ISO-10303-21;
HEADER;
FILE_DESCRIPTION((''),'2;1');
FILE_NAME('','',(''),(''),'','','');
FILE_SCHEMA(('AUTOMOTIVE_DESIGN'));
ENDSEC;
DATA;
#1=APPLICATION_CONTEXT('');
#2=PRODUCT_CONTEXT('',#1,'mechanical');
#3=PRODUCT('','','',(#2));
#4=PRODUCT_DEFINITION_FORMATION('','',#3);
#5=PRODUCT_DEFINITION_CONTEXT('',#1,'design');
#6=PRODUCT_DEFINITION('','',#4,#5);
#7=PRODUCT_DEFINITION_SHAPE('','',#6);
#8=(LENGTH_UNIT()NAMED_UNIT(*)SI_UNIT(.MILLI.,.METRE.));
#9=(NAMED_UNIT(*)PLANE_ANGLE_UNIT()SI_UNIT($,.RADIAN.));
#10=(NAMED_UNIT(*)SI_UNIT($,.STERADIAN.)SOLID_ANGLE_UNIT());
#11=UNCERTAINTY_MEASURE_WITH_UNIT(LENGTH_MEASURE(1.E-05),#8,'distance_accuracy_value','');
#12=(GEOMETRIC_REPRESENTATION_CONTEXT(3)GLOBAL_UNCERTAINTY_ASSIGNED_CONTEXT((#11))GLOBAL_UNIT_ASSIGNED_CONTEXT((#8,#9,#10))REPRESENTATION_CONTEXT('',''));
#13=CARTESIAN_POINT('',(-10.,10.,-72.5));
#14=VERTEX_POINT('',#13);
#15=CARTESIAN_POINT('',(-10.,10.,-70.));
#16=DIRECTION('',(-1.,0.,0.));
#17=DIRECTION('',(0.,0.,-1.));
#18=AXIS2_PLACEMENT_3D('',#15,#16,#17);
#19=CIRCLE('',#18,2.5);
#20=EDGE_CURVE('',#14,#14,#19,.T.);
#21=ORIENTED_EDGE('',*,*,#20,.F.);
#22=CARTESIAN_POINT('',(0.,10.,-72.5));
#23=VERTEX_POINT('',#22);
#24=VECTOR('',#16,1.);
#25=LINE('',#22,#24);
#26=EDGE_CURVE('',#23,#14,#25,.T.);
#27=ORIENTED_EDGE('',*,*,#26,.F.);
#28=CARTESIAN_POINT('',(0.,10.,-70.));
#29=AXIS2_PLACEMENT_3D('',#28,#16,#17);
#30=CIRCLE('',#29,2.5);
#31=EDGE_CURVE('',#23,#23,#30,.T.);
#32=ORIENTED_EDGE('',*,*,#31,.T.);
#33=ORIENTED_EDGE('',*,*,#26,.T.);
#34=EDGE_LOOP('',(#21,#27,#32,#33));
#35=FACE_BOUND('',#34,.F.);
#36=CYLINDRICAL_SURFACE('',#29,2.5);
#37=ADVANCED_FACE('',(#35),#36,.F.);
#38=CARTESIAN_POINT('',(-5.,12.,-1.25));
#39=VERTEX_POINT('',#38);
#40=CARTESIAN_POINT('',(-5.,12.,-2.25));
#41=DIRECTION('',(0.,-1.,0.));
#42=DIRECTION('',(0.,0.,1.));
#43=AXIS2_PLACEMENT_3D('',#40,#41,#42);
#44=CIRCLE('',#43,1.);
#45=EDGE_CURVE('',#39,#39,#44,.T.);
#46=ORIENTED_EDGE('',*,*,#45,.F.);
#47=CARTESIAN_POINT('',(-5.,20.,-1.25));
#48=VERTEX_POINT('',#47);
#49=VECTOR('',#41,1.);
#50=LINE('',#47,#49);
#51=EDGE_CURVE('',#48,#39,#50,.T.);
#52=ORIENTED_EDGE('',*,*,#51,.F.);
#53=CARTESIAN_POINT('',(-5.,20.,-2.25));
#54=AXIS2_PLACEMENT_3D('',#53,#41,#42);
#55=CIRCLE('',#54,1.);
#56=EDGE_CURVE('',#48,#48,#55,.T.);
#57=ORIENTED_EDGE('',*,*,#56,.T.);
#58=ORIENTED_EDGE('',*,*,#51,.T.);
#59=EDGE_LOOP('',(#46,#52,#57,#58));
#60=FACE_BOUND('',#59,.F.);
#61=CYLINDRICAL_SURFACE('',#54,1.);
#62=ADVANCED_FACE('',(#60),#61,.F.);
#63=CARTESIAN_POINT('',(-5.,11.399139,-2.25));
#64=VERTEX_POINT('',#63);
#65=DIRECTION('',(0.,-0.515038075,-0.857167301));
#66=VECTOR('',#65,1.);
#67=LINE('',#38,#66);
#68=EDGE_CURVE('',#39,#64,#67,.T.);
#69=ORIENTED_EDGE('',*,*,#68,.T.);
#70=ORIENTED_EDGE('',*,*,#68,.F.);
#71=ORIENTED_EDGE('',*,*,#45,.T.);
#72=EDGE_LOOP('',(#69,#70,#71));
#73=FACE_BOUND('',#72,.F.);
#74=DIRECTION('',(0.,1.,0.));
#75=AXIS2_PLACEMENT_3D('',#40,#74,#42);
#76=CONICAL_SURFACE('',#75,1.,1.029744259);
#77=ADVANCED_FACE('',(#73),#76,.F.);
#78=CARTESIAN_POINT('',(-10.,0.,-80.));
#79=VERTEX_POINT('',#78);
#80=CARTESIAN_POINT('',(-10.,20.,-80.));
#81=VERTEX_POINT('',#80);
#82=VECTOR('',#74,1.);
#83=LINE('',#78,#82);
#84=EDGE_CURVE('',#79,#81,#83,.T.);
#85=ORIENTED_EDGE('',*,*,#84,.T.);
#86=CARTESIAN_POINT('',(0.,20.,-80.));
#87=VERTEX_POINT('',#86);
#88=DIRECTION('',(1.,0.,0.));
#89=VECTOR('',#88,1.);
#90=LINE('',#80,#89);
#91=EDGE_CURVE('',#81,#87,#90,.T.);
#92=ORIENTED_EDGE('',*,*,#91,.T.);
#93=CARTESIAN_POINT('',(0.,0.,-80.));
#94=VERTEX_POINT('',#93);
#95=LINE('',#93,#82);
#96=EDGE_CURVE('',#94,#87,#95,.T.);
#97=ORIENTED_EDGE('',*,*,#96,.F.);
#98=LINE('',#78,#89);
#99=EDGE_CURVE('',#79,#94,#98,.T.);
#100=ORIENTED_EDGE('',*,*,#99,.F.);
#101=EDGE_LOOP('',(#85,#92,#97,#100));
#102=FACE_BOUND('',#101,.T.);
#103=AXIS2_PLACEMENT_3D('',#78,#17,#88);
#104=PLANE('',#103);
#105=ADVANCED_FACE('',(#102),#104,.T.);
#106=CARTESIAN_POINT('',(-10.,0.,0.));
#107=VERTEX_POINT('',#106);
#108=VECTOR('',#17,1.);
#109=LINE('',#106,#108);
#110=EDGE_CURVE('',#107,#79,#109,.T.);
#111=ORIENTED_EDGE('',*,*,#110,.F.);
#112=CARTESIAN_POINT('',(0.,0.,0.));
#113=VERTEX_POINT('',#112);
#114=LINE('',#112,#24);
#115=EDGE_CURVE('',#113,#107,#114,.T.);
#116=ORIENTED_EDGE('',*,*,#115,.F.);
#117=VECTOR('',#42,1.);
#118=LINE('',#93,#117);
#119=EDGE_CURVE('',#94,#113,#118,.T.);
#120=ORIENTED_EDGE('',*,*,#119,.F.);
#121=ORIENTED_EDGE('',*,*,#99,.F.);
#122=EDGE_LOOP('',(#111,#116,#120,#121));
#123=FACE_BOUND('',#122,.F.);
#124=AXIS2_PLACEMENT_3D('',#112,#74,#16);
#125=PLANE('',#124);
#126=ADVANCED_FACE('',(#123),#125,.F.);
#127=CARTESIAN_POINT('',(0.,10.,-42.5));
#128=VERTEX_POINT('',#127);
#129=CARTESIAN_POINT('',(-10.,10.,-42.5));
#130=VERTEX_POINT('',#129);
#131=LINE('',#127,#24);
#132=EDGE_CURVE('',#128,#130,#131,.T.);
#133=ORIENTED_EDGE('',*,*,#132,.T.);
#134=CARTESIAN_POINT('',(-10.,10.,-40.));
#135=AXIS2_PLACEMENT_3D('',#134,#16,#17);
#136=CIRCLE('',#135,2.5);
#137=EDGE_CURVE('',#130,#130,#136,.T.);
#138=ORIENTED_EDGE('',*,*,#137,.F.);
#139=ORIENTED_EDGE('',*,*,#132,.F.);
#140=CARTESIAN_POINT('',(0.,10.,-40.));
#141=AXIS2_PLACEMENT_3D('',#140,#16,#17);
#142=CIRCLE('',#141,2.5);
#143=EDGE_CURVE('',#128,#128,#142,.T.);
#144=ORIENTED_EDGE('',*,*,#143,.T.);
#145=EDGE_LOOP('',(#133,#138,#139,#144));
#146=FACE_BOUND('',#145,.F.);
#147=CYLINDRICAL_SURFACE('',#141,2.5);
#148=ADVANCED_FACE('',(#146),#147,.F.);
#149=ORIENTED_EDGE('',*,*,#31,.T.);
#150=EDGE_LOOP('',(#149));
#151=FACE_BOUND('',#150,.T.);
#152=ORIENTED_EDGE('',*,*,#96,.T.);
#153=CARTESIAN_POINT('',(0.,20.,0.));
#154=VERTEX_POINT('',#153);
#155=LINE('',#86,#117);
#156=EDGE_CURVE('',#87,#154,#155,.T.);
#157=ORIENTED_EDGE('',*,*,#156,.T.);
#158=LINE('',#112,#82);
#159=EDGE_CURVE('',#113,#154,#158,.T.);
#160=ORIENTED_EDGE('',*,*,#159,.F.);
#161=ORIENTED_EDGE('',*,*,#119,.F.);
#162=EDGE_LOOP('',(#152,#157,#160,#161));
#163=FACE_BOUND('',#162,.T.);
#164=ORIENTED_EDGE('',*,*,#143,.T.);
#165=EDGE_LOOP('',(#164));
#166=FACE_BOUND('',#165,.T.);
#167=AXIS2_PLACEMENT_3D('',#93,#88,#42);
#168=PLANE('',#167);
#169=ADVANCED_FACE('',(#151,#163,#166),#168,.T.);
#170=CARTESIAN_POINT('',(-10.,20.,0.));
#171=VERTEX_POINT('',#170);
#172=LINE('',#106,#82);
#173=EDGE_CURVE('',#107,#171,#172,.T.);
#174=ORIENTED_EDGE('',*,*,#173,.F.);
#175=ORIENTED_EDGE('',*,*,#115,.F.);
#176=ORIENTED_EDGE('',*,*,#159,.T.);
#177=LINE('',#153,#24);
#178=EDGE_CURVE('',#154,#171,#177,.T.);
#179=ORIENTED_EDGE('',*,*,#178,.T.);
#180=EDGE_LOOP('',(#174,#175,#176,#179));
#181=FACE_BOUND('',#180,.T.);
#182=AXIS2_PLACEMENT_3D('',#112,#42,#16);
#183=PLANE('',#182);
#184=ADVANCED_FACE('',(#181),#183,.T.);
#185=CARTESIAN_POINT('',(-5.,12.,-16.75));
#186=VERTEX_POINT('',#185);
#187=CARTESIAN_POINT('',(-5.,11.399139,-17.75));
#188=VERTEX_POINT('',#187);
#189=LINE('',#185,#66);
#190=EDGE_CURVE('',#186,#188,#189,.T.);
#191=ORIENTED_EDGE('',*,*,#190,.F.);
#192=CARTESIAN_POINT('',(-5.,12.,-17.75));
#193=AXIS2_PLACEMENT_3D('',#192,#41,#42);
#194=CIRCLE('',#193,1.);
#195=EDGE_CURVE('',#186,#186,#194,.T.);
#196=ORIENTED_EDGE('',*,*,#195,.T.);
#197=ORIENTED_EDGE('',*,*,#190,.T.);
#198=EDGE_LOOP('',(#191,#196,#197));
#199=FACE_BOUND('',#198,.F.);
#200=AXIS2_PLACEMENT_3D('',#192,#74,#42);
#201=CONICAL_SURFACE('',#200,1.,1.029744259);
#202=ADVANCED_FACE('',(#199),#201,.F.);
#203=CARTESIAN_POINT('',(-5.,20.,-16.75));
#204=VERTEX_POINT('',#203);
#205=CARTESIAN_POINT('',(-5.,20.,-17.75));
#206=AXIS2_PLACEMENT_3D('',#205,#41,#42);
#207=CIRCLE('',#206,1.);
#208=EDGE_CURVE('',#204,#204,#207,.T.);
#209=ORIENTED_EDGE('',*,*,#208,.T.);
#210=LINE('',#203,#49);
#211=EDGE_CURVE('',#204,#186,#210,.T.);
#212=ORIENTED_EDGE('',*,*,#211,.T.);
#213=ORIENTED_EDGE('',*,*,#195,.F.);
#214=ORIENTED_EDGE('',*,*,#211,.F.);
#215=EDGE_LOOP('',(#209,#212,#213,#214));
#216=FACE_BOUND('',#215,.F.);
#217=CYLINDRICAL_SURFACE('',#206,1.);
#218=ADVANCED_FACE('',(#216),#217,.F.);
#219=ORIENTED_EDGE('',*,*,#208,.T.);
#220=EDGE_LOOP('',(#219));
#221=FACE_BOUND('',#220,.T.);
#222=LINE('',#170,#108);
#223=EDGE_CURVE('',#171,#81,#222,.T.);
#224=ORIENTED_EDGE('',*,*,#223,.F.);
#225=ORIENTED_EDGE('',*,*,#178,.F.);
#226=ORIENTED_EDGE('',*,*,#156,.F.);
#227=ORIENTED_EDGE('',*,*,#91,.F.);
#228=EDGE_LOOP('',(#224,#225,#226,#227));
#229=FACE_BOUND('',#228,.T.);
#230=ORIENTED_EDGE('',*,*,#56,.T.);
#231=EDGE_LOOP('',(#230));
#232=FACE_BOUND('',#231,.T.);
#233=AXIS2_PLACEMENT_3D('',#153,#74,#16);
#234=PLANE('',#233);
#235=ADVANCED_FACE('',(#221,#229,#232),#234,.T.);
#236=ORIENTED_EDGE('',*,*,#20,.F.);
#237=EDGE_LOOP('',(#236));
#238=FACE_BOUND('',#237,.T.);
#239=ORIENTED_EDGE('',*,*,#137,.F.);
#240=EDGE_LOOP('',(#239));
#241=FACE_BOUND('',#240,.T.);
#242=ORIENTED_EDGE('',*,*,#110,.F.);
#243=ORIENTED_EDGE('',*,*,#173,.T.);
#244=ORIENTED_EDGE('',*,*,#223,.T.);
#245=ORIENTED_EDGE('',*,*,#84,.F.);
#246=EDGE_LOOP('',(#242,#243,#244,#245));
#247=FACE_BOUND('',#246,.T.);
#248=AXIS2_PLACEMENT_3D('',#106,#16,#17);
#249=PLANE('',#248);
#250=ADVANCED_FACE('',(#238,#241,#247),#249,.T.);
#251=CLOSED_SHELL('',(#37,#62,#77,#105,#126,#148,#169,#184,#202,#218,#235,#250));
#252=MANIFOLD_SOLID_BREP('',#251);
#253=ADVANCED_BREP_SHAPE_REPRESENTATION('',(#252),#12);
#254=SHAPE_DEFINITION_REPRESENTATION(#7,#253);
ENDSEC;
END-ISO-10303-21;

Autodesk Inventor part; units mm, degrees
ref_plane "YZ Plane" through (0, 0, 0) normal (1, 0, 0) x (0, 1, 0)
ref_plane "XZ Plane" through (0, 0, 0) normal (0, 1, 0) x (-1, 0, 0)
ref_plane "XY Plane" through (0, 0, 0) normal (0, 0, 1) x (1, 0, 0)
sketch "Skizze1" plane through (0, 0, 0) normal (0, 1, 0) x (-1, 0, 0)
  line L0 (0, 0) -> (10, 0)
  line L1 (10, 0) -> (10, -80)
  line L2 (10, -80) -> (0, -80)
  line L3 (0, -80) -> (0, 0)
  dimension "d0" = 10
  dimension "d1" = 80
extrude "Extrusion1" add sketch "Skizze1" along normal blind 20
sketch "Skizze2" plane through (0, 20, 0) normal (0, 1, 0) x (1, 0, 0)
  line L0 (0, 0) -> (-5, 0)
  line L1 (-10, 0) -> (0, 0) projected
  line L2 (-5, 0) -> (-5, 2.25)
  line L3 (-5, 2.25) -> (-5, 17.75)
  dimension "d4" = 2.25
  dimension "d5" = 15.5
hole "Bohrung1" at (-5, 20, -2.25) at (-5, 20, -17.75) direction (0, -1, 0) diameter 2 depth 8 tip angle 118
sketch "Skizze3" plane through (0, 0, 0) normal (1, 0, 0) x (0, 0, -1)
  line L0 (80, 0) -> (0, 0) projected
  line L1 (80, 0) -> (80, 10)
  line L2 (80, 0) -> (80, 20) projected
  line L3 (80, 10) -> (30, 10)
  line L4 (30, 10) -> (40, 10)
  line L5 (40, 10) -> (70, 10)
  dimension "d13" = 50
  dimension "d14" = 10
  dimension "d15" = 30
hole "Bohrung2" at (0, 10, -40) at (0, 10, -70) direction (-1, 0, 0) diameter 5 end through all
properties part number "Sensor_Halterung_Teil1" material "Holz (Eiche)"
